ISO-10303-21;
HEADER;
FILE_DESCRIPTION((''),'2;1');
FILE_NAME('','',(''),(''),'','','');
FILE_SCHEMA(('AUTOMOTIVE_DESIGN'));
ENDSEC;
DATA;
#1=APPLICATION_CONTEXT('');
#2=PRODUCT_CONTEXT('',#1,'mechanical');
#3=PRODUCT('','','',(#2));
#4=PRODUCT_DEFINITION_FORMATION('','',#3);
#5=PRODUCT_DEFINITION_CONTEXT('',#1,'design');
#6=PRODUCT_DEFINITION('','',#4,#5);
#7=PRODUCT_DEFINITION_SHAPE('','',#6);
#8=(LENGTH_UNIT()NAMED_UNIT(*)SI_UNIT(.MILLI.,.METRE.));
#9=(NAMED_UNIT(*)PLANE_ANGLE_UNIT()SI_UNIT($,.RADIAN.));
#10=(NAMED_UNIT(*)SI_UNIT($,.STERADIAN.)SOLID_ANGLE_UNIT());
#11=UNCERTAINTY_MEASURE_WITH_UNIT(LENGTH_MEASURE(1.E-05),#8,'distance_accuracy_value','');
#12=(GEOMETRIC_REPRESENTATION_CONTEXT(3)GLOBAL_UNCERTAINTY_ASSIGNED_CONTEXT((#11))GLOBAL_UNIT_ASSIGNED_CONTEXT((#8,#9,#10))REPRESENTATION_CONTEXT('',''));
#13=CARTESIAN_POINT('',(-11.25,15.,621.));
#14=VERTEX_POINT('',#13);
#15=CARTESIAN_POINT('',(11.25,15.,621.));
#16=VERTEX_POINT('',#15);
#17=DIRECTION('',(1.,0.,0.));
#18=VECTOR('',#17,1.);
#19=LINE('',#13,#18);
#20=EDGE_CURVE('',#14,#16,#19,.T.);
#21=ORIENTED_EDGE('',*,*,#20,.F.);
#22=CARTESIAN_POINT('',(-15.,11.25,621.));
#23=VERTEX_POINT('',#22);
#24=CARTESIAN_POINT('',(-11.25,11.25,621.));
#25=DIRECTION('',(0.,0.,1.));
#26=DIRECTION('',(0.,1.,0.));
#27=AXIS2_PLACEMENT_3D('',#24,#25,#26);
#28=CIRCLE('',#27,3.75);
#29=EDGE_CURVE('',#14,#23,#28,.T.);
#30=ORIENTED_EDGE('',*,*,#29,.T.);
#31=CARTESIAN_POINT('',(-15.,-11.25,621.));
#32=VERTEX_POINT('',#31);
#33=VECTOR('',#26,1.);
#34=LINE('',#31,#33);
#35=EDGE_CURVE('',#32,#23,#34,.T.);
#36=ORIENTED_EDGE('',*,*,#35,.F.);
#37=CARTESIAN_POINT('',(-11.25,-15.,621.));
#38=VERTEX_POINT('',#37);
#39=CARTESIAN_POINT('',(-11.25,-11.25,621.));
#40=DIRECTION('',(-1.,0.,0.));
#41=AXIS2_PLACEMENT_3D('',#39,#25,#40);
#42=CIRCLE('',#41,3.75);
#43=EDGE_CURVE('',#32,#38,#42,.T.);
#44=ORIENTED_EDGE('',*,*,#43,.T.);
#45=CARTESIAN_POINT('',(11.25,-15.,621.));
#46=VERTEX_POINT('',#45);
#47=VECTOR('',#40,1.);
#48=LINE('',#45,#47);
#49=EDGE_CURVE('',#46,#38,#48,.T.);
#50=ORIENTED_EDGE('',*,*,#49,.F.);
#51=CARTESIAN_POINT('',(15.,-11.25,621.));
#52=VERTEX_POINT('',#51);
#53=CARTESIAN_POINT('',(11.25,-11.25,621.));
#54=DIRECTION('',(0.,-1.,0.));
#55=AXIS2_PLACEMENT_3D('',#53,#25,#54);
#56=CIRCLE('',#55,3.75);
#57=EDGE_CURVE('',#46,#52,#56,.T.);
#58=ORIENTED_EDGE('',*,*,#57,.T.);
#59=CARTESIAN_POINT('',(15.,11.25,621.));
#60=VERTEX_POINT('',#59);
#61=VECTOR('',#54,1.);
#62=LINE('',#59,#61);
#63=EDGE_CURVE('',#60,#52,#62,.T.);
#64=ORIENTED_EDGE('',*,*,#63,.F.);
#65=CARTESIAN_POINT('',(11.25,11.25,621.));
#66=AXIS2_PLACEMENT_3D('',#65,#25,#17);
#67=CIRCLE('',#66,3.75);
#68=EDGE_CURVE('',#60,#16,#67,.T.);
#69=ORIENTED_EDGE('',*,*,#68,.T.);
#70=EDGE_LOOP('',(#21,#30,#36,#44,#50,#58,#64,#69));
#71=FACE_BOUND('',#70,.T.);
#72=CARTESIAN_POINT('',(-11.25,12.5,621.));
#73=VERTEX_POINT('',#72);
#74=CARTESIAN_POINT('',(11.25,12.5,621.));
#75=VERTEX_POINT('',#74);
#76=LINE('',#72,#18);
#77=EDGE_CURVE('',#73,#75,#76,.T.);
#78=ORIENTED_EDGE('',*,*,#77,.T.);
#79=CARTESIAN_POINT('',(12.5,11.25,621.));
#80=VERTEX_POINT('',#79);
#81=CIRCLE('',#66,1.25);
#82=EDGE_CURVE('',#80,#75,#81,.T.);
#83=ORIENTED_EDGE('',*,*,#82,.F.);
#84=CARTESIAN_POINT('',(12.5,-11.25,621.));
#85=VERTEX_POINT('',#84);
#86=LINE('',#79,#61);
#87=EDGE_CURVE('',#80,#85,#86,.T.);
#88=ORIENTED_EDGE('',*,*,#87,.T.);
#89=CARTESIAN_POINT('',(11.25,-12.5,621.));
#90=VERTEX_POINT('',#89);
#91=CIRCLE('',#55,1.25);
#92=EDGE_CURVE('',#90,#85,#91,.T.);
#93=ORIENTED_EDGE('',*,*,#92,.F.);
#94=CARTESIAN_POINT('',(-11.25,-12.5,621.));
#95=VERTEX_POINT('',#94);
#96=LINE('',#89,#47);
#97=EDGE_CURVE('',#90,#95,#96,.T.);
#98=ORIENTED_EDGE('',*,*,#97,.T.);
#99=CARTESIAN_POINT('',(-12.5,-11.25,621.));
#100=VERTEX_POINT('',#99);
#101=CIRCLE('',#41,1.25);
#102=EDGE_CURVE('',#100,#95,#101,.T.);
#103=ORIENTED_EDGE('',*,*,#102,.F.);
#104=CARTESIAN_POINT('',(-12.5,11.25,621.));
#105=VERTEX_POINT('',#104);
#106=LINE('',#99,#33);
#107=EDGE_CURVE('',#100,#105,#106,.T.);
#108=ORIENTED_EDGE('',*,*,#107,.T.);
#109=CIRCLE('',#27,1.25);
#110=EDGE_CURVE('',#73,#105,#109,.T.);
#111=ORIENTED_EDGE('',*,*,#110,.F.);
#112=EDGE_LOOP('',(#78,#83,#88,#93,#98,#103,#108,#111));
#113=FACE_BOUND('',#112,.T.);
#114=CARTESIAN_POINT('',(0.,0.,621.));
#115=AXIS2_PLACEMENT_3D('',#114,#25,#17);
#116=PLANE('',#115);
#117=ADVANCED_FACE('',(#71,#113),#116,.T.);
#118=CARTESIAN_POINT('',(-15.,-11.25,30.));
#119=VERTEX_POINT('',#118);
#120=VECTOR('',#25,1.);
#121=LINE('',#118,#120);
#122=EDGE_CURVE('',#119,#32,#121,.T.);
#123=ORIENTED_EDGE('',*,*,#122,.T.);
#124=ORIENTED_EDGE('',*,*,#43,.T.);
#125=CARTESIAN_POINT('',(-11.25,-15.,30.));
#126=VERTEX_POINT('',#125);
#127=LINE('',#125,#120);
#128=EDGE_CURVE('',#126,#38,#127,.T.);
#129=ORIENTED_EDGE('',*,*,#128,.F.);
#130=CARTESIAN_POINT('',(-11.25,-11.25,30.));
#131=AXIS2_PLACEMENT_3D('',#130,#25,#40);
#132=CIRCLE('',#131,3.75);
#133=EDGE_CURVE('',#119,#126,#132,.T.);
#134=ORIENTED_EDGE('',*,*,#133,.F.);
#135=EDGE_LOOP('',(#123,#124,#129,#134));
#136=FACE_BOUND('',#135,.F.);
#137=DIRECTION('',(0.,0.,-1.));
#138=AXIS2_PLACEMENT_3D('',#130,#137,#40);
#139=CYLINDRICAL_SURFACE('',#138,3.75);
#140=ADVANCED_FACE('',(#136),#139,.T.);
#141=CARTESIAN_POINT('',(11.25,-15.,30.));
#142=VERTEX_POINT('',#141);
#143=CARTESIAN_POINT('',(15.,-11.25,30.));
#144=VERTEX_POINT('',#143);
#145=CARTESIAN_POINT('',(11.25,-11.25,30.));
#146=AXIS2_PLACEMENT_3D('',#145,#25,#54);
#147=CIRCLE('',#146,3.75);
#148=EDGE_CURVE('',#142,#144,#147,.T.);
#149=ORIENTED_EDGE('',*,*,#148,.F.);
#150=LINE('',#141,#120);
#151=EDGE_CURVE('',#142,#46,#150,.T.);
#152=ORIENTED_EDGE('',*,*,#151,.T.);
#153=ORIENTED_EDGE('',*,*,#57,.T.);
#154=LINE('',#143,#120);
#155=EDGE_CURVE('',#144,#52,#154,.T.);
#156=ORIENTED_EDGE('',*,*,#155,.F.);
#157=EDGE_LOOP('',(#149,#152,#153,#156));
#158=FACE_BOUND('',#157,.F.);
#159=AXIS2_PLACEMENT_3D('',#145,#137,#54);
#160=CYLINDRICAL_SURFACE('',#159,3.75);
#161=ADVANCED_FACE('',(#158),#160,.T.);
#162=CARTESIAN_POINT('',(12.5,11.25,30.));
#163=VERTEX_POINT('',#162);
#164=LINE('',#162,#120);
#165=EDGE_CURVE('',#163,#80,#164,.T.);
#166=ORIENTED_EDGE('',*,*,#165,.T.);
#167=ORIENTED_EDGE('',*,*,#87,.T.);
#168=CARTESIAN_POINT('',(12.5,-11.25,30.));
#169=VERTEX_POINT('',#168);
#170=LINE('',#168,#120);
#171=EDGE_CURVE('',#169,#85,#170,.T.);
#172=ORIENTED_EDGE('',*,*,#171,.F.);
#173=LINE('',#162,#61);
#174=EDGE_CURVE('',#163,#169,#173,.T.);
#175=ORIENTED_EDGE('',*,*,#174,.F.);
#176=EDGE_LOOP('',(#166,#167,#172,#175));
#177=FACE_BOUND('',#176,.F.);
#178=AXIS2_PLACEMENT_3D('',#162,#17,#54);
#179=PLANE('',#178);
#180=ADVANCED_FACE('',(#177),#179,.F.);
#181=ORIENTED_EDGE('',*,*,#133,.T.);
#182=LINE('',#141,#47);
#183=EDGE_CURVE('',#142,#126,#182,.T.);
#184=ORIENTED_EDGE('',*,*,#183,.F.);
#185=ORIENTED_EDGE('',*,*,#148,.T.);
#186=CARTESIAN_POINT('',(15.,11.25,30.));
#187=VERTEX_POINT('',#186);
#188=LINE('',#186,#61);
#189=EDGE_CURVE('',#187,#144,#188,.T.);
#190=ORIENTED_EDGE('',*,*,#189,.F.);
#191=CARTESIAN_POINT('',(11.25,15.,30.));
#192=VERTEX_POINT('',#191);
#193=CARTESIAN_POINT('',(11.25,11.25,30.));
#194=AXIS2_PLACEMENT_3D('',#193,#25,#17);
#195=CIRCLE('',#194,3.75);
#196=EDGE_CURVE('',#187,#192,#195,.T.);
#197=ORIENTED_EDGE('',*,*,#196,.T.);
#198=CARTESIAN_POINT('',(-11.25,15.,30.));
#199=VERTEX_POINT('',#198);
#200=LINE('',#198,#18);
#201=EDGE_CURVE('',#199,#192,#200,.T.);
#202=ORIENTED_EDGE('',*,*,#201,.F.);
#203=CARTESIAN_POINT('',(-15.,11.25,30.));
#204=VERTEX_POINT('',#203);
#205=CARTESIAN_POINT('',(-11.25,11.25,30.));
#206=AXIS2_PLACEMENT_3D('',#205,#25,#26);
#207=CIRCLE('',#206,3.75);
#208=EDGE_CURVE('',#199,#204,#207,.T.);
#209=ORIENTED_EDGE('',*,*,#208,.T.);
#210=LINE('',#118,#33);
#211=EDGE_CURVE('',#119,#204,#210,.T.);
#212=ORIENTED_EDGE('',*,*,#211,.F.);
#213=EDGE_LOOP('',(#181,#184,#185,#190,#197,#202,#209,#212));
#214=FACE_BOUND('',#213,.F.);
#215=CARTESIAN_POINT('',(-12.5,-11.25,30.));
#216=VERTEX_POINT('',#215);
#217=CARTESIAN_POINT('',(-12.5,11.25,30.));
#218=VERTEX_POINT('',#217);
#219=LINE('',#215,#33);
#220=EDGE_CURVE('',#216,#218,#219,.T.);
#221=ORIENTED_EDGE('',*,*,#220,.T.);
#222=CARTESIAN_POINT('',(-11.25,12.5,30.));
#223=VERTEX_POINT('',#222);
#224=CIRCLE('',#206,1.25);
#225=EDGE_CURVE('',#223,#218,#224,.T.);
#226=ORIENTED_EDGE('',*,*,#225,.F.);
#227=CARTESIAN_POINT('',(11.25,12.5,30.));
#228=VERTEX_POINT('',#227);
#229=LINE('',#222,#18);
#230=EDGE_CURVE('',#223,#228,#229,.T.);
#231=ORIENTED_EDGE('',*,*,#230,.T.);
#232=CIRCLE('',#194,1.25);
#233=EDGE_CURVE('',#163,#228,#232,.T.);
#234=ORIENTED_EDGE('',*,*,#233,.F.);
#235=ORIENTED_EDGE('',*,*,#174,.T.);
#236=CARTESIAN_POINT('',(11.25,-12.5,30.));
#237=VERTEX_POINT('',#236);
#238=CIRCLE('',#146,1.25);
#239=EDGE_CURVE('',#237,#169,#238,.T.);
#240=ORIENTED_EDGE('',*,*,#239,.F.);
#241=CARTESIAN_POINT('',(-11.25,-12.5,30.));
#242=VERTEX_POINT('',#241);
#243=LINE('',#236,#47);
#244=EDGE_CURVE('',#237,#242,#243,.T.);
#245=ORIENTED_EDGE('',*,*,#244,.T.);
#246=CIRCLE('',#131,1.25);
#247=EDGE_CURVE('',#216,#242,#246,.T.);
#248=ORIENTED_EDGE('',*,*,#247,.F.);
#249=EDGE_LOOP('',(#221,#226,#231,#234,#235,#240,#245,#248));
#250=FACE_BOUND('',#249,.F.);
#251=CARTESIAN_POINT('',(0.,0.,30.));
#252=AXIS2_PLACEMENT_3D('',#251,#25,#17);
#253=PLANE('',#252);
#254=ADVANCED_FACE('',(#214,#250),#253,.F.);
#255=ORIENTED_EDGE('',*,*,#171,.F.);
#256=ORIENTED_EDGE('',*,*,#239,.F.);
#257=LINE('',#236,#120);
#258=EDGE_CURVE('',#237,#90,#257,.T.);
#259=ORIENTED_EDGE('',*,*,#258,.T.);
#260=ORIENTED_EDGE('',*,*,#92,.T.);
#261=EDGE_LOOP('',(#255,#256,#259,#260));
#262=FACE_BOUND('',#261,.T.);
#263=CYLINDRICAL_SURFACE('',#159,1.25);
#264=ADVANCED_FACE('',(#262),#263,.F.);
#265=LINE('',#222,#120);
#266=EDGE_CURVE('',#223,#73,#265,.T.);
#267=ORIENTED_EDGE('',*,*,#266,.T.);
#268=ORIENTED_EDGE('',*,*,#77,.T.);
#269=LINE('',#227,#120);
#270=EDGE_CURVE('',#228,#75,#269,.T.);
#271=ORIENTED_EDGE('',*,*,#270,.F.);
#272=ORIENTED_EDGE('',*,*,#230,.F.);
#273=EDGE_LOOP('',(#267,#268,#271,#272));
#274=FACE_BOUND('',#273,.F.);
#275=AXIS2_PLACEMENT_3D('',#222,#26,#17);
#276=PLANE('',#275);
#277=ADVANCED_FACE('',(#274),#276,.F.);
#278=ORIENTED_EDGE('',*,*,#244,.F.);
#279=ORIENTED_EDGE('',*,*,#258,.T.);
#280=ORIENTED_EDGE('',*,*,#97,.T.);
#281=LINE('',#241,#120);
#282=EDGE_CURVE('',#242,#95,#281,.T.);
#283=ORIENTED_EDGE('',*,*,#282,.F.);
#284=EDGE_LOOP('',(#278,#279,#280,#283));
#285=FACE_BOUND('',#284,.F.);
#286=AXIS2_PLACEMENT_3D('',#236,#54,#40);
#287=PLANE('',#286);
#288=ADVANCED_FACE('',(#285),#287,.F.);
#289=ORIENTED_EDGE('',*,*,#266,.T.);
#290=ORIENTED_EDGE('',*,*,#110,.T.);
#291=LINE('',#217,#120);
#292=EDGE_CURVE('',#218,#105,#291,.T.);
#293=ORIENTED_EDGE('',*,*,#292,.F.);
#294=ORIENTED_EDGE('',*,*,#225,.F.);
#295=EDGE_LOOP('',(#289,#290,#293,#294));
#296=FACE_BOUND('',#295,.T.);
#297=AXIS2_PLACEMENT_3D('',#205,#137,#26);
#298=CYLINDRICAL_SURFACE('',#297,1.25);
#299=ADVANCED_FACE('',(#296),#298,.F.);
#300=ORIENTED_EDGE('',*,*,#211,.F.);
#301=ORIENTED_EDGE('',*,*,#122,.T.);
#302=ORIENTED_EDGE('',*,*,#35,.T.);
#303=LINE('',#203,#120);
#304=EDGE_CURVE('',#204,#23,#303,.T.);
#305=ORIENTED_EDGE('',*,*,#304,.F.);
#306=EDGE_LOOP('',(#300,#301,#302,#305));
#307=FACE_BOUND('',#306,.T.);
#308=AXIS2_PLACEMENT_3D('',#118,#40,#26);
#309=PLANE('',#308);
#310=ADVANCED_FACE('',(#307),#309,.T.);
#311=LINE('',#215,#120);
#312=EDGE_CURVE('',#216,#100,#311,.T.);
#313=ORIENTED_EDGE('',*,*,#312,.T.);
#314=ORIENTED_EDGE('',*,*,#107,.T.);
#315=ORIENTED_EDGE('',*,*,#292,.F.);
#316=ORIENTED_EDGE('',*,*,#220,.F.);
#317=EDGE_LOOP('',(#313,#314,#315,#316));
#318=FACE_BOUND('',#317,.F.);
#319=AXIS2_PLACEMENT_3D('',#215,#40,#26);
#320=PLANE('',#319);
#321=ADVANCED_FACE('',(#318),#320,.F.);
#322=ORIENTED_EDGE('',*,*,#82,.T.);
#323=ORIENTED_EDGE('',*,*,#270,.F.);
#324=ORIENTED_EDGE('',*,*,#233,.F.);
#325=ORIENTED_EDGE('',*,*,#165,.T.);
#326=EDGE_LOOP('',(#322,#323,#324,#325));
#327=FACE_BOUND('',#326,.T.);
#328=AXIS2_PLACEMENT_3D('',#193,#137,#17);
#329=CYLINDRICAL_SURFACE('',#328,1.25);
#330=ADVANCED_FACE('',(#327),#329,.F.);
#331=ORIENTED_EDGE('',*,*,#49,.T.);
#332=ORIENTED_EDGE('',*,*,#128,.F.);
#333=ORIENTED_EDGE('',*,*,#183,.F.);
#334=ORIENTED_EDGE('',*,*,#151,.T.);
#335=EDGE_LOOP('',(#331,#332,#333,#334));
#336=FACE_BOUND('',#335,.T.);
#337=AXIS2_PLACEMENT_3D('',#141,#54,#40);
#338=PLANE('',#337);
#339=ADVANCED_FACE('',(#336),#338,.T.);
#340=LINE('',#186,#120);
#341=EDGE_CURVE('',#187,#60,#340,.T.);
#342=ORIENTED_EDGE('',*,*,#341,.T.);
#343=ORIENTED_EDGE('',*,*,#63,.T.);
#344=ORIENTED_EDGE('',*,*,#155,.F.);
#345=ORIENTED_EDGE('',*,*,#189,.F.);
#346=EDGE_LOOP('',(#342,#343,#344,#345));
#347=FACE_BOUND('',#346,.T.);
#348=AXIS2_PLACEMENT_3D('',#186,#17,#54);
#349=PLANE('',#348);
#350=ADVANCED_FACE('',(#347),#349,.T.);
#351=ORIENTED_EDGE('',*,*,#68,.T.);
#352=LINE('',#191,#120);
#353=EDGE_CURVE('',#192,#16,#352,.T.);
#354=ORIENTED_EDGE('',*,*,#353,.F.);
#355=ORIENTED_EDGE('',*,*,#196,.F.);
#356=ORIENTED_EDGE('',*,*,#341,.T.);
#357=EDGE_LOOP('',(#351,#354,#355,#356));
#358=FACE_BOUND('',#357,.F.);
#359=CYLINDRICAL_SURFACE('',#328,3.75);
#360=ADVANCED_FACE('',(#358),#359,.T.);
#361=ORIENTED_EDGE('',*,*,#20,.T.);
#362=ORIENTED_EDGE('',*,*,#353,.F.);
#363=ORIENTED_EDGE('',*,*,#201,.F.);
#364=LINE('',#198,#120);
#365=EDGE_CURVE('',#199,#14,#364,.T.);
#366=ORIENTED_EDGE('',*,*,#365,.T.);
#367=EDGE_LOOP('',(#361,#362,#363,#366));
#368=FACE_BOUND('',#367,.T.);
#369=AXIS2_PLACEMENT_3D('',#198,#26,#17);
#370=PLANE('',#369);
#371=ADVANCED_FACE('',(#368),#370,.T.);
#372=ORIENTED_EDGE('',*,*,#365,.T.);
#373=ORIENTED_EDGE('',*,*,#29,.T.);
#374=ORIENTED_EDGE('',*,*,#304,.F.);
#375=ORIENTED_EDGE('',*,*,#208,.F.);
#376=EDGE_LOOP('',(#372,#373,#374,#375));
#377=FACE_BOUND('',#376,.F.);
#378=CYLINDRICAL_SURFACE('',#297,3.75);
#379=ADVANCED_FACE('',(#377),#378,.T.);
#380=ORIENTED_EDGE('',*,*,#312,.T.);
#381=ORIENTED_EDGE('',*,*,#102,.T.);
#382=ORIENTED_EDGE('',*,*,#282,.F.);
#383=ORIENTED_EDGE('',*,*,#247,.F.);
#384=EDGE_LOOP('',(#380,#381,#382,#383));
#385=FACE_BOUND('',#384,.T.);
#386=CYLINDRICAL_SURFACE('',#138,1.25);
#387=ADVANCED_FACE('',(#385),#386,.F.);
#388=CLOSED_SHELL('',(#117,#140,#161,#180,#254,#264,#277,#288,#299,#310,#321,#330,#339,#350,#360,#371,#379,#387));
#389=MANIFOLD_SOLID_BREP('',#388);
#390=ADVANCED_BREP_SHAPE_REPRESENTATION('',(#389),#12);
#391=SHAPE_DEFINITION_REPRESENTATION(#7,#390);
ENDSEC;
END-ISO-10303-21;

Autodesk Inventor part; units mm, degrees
ref_plane "Start plane" through (0, 0, 30) normal (0, 0, 1) x (1, 0, 0)
ref_plane "End plane" through (0, 0, 621) normal (0, 0, 1) x (1, 0, 0)
sketch "Sketch" plane through (0, 0, 0) normal (0, 0, 1) x (1, 0, 0)
  line L0 (-15, -11.25) -> (-15, 11.25)
  line L1 (-11.25, 15) -> (11.25, 15)
  line L2 (15, 11.25) -> (15, -11.25)
  line L3 (11.25, -15) -> (-11.25, -15)
  arc A0 (-15, -11.25) -> (-11.25, -15) centre (-11.25, -11.25) ccw
  arc A1 (-11.25, 15) -> (-15, 11.25) centre (-11.25, 11.25) ccw
  arc A2 (15, 11.25) -> (11.25, 15) centre (11.25, 11.25) ccw
  arc A3 (11.25, -15) -> (15, -11.25) centre (11.25, -11.25) ccw
  arc A4 (-11.25, 12.5) -> (-12.5, 11.25) centre (-11.25, 11.25) ccw
  line L4 (-11.25, 12.5) -> (11.25, 12.5)
  arc A5 (12.5, 11.25) -> (11.25, 12.5) centre (11.25, 11.25) ccw
  line L5 (12.5, 11.25) -> (12.5, -11.25)
  arc A6 (11.25, -12.5) -> (12.5, -11.25) centre (11.25, -11.25) ccw
  line L6 (11.25, -12.5) -> (-11.25, -12.5)
  arc A7 (-12.5, -11.25) -> (-11.25, -12.5) centre (-11.25, -11.25) ccw
  line L7 (-12.5, -11.25) -> (-12.5, 11.25)
  line L8 (0, 22.0873) -> (0, -22.0873) construction
  line L9 (-22.0873, 0) -> (22.0873, 0) construction
  dimension "d7" = 3.75
  dimension "d10" = 30
  dimension "d11" = 30
  dimension "d12" = 2.5
  dimension "d15" = 15
  dimension "d16" = 15
extrude "Body" add sketch "Sketch" along normal up to surface (591 mm away) from surface at 30
sketch "Sketch3" plane through (0, 0, 0) normal (0, 0, 1) x (1, 0, 0)
  line L0 (0, 0) -> (10, 0)
ref_plane "Work Plane3" through (0, 0, 0) normal (0, -1, 0) x (1, 0, 0)
sketch "Sketch4" plane through (0, 0, 0) normal (0, -1, 0) x (1, 0, 0)
  line L0 (-2, 30) -> (12, 30)
  line L1 (-2, 621) -> (12, 621)
  dimension "d18" = 591
ref_plane "Work Plane4" through (-1622.8, 615, 621) normal (0, 0, 1) x (1, 0, 0)
split "Split1" plane through (-1622.8, 615, 621) removes the side toward (0, 0, 1)
ref_plane "Work Plane5" through (-1608.8, -235, 30) normal (0, 0, -1) x (-1, 0, 0)
split "Split2" plane through (-1608.8, -235, 30) removes the side toward (0, 0, -1)
equation "\"d7\" = G_IR"
equation "\"d10\" = G_H"
equation "\"d11\" = G_W"
equation "\"d12\" = G_T"
equation "\"d15\" = 0.5 * d10"
equation "\"d16\" = 0.5 * d11"
equation "\"d3\" = G_L"
equation "\"G_W\" = 30"
equation "\"G_H\" = 30"
equation "\"G_T\" = 2.5"
equation "\"G_IR\" = 3.75"
equation "\"G_L\" = d18"
equation "\"d14\" = G_OFFSET_END + B_L"
equation "\"B_L\" = 651"
equation "\"G_OFFSET_END\" = -30"
properties part number "DIN EN 10305-5 - 30 x 30 x 2,5  - 591" material "Steel, Mild"
